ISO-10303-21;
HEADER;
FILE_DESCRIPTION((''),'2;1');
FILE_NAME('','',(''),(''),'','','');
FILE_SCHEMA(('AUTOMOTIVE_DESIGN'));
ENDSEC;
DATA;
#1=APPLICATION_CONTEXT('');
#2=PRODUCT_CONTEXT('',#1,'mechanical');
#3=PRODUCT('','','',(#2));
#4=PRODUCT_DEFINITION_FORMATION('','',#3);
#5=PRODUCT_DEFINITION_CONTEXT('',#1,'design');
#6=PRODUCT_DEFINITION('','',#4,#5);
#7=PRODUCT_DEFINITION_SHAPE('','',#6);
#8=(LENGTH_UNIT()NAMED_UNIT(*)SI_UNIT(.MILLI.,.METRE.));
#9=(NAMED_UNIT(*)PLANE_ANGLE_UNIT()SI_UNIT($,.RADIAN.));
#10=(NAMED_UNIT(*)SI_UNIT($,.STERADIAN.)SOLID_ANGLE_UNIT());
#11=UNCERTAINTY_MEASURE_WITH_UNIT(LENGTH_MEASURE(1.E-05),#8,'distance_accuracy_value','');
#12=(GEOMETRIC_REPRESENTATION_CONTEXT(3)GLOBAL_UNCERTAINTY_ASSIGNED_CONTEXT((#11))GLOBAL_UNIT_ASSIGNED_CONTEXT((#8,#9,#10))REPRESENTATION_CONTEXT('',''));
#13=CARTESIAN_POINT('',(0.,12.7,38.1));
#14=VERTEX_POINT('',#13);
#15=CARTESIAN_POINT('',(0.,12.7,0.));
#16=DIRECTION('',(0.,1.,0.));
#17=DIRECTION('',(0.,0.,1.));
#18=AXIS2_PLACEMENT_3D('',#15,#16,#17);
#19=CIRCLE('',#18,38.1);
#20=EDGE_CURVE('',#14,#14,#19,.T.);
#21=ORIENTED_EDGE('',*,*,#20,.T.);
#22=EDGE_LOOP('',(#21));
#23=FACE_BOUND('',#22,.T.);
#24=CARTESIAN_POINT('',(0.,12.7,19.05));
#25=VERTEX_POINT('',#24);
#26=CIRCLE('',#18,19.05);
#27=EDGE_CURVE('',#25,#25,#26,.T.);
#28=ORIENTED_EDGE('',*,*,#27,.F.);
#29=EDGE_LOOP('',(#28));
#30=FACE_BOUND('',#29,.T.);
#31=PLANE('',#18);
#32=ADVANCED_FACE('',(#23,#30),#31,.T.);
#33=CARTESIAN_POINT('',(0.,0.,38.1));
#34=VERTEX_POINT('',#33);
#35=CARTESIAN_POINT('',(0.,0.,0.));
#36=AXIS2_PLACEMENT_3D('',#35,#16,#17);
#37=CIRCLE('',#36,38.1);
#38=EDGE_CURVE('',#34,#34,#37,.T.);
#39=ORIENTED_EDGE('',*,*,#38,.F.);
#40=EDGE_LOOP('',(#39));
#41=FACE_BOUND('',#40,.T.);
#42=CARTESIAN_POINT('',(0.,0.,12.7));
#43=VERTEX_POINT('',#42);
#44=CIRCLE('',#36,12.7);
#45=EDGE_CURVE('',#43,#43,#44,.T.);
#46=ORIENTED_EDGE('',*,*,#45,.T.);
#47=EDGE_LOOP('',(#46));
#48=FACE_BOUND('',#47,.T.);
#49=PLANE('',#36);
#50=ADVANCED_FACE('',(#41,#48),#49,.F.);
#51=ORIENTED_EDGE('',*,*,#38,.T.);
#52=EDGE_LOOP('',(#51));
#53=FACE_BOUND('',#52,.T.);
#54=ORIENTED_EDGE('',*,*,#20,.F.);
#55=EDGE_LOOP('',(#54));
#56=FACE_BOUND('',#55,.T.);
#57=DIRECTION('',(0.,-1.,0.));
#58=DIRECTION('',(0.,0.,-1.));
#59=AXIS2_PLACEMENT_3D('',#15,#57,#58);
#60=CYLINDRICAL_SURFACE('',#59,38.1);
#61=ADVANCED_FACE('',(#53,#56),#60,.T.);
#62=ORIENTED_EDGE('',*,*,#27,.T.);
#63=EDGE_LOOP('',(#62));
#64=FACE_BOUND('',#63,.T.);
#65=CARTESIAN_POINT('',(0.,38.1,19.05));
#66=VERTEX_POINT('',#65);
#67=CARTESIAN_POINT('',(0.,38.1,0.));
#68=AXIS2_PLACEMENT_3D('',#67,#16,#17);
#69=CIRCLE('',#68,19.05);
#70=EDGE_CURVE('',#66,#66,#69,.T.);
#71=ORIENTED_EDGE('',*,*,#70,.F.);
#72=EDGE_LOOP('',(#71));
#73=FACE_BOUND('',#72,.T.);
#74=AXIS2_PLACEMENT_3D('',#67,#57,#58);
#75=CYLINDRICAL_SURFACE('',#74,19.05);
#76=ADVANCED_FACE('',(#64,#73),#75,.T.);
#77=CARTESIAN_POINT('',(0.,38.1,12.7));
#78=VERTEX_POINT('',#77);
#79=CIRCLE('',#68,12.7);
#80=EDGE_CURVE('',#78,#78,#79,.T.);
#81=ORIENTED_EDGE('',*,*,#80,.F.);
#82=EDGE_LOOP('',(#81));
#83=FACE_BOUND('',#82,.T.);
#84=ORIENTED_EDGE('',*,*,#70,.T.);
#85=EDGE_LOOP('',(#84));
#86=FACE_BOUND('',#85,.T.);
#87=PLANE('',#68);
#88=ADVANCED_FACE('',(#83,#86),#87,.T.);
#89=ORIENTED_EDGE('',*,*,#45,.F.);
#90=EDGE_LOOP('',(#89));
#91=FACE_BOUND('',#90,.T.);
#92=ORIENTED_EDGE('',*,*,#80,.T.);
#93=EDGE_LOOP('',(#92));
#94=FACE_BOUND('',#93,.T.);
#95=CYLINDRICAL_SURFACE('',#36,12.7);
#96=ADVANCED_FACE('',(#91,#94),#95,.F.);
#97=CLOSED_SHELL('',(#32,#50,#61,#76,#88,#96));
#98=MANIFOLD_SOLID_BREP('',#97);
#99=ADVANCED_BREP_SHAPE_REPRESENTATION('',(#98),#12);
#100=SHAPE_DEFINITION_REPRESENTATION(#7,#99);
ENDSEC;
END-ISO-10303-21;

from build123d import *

# Parameters (mm, degrees)
SKETCH1_R          = 38.1
EXTRUDE1_DEPTH     = 12.7
SKETCH2_R          = 19.05
EXTRUDE2_DEPTH     = 25.4
SKETCH3_R          = 12.7
CUT_EXTRUDE1_DEPTH = 66.991135768


with BuildPart() as part:
    # Sketch1 → Extrude1 (new body)
    with BuildSketch(Plane(origin=(0, 0, 0), x_dir=(1, 0, 0), z_dir=(0, 1, 0))):
        with Locations(Location((0, 0, 0), (0, 0, 270))):
            Circle(SKETCH1_R)
    extrude(amount=EXTRUDE1_DEPTH)

    # Sketch2 → Extrude2 (add)
    with BuildSketch(Plane(origin=(0, 12.7, 0), x_dir=(-1, 0, 0), z_dir=(0, 1, 0))):
        with Locations(Location((0, 0, 0), (0, 0, 90))):
            Circle(SKETCH2_R)
    extrude(amount=EXTRUDE2_DEPTH)

    # Sketch3 → Cut-Extrude1 (cut, through all)
    with BuildSketch(Plane(origin=(0, 38.1, 0), x_dir=(-1, 0, 0), z_dir=(0, 1, 0))):
        with Locations(Location((0, 0, 0), (0, 0, 90))):
            Circle(SKETCH3_R)
    extrude(amount=-CUT_EXTRUDE1_DEPTH, mode=Mode.SUBTRACT)


solid = part.part
